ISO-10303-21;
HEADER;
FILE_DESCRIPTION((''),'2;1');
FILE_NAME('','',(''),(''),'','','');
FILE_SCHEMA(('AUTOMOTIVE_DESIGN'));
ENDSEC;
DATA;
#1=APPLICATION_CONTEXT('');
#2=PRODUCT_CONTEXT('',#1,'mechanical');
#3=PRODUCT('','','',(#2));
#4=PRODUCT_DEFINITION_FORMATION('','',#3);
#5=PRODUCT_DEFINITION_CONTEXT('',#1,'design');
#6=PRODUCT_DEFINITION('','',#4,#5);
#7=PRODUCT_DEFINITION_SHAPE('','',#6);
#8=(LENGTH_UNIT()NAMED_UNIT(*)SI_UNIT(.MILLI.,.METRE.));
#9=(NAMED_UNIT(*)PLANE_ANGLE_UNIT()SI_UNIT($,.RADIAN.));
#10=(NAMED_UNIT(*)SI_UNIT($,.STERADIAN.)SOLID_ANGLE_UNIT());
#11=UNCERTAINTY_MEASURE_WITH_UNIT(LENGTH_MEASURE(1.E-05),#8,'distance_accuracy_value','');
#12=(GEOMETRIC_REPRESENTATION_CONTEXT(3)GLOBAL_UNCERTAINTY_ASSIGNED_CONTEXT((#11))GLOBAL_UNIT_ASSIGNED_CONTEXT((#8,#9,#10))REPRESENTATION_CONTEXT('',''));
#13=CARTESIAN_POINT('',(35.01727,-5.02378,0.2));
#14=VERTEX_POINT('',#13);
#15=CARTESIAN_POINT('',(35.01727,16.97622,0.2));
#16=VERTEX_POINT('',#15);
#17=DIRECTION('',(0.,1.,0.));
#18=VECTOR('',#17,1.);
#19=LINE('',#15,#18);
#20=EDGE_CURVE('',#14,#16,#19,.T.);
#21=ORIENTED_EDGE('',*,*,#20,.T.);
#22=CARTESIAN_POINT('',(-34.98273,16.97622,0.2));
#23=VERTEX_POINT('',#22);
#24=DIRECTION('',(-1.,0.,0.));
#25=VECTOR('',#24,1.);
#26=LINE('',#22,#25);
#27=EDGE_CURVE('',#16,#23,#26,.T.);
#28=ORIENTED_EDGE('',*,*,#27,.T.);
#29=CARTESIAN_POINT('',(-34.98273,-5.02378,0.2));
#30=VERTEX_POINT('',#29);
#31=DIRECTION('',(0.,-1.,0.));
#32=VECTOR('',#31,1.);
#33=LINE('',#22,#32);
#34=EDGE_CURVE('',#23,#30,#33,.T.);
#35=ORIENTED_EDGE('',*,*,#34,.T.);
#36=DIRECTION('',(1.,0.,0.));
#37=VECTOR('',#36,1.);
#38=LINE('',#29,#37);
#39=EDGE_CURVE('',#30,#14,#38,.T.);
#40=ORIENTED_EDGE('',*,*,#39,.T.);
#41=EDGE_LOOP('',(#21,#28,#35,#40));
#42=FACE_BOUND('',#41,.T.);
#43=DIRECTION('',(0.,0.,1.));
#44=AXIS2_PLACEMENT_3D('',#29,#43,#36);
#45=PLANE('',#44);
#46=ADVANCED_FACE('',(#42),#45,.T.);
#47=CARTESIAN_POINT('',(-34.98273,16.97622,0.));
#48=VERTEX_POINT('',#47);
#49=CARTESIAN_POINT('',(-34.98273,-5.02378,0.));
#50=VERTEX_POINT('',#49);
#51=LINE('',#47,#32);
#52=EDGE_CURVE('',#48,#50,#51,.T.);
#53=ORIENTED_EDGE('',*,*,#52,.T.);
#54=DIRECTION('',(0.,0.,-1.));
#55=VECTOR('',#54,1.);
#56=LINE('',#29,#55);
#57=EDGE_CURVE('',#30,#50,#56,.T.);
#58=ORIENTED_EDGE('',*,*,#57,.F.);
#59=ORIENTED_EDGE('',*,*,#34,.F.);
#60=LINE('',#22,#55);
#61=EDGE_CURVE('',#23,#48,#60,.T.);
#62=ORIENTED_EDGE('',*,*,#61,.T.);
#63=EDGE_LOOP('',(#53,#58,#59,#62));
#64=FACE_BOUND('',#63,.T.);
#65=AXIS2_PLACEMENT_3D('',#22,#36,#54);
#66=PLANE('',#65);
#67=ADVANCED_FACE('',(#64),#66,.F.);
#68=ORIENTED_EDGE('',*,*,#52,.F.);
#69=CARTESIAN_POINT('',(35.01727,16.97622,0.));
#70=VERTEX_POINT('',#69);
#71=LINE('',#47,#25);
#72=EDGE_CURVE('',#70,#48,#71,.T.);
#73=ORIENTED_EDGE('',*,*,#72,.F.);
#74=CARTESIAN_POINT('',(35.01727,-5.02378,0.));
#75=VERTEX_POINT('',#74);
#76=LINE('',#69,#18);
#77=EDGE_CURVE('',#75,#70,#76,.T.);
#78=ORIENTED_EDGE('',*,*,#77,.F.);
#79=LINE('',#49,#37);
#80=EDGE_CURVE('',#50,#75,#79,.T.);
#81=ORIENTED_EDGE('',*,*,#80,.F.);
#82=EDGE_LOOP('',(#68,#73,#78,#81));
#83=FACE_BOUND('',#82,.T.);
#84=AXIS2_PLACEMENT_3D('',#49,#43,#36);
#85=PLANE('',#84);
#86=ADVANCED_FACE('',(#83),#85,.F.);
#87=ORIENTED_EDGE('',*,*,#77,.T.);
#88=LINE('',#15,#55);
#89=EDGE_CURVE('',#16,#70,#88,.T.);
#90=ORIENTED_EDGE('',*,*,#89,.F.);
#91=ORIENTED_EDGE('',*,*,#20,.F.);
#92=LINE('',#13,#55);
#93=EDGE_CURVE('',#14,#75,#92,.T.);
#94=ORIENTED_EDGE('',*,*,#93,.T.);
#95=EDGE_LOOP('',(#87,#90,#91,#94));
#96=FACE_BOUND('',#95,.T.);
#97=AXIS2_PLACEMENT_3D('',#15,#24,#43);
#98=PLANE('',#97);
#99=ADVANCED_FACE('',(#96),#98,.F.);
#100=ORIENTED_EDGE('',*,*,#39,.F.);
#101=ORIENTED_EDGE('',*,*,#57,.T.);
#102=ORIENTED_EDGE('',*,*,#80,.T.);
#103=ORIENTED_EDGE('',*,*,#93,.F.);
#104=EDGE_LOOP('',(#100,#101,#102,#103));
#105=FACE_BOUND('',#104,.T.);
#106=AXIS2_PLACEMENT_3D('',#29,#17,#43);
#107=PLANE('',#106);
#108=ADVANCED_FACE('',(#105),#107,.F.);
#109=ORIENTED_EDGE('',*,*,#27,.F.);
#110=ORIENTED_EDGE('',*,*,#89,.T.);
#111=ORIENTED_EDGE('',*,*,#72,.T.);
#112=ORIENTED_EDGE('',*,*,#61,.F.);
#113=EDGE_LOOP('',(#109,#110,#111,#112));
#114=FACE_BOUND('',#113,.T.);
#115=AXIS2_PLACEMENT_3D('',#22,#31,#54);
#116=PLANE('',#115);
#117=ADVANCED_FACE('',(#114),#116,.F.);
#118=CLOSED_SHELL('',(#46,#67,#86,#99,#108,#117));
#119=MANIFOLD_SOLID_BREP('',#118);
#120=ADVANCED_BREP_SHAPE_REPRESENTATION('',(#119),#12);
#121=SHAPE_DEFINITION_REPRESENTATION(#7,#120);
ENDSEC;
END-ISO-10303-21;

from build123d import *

# Parameters (mm, degrees)
ESQUISSE1_W      = 70
ESQUISSE1_H      = 22
EXTRUSION1_DEPTH = 0.2


with BuildPart() as part:
    # Esquisse1 → Extrusion1 (new body)
    with BuildSketch(Plane.XY):
        with Locations((0.017269645, 5.976220204)):
            Rectangle(ESQUISSE1_W, ESQUISSE1_H)
    extrude(amount=EXTRUSION1_DEPTH)


solid = part.part
